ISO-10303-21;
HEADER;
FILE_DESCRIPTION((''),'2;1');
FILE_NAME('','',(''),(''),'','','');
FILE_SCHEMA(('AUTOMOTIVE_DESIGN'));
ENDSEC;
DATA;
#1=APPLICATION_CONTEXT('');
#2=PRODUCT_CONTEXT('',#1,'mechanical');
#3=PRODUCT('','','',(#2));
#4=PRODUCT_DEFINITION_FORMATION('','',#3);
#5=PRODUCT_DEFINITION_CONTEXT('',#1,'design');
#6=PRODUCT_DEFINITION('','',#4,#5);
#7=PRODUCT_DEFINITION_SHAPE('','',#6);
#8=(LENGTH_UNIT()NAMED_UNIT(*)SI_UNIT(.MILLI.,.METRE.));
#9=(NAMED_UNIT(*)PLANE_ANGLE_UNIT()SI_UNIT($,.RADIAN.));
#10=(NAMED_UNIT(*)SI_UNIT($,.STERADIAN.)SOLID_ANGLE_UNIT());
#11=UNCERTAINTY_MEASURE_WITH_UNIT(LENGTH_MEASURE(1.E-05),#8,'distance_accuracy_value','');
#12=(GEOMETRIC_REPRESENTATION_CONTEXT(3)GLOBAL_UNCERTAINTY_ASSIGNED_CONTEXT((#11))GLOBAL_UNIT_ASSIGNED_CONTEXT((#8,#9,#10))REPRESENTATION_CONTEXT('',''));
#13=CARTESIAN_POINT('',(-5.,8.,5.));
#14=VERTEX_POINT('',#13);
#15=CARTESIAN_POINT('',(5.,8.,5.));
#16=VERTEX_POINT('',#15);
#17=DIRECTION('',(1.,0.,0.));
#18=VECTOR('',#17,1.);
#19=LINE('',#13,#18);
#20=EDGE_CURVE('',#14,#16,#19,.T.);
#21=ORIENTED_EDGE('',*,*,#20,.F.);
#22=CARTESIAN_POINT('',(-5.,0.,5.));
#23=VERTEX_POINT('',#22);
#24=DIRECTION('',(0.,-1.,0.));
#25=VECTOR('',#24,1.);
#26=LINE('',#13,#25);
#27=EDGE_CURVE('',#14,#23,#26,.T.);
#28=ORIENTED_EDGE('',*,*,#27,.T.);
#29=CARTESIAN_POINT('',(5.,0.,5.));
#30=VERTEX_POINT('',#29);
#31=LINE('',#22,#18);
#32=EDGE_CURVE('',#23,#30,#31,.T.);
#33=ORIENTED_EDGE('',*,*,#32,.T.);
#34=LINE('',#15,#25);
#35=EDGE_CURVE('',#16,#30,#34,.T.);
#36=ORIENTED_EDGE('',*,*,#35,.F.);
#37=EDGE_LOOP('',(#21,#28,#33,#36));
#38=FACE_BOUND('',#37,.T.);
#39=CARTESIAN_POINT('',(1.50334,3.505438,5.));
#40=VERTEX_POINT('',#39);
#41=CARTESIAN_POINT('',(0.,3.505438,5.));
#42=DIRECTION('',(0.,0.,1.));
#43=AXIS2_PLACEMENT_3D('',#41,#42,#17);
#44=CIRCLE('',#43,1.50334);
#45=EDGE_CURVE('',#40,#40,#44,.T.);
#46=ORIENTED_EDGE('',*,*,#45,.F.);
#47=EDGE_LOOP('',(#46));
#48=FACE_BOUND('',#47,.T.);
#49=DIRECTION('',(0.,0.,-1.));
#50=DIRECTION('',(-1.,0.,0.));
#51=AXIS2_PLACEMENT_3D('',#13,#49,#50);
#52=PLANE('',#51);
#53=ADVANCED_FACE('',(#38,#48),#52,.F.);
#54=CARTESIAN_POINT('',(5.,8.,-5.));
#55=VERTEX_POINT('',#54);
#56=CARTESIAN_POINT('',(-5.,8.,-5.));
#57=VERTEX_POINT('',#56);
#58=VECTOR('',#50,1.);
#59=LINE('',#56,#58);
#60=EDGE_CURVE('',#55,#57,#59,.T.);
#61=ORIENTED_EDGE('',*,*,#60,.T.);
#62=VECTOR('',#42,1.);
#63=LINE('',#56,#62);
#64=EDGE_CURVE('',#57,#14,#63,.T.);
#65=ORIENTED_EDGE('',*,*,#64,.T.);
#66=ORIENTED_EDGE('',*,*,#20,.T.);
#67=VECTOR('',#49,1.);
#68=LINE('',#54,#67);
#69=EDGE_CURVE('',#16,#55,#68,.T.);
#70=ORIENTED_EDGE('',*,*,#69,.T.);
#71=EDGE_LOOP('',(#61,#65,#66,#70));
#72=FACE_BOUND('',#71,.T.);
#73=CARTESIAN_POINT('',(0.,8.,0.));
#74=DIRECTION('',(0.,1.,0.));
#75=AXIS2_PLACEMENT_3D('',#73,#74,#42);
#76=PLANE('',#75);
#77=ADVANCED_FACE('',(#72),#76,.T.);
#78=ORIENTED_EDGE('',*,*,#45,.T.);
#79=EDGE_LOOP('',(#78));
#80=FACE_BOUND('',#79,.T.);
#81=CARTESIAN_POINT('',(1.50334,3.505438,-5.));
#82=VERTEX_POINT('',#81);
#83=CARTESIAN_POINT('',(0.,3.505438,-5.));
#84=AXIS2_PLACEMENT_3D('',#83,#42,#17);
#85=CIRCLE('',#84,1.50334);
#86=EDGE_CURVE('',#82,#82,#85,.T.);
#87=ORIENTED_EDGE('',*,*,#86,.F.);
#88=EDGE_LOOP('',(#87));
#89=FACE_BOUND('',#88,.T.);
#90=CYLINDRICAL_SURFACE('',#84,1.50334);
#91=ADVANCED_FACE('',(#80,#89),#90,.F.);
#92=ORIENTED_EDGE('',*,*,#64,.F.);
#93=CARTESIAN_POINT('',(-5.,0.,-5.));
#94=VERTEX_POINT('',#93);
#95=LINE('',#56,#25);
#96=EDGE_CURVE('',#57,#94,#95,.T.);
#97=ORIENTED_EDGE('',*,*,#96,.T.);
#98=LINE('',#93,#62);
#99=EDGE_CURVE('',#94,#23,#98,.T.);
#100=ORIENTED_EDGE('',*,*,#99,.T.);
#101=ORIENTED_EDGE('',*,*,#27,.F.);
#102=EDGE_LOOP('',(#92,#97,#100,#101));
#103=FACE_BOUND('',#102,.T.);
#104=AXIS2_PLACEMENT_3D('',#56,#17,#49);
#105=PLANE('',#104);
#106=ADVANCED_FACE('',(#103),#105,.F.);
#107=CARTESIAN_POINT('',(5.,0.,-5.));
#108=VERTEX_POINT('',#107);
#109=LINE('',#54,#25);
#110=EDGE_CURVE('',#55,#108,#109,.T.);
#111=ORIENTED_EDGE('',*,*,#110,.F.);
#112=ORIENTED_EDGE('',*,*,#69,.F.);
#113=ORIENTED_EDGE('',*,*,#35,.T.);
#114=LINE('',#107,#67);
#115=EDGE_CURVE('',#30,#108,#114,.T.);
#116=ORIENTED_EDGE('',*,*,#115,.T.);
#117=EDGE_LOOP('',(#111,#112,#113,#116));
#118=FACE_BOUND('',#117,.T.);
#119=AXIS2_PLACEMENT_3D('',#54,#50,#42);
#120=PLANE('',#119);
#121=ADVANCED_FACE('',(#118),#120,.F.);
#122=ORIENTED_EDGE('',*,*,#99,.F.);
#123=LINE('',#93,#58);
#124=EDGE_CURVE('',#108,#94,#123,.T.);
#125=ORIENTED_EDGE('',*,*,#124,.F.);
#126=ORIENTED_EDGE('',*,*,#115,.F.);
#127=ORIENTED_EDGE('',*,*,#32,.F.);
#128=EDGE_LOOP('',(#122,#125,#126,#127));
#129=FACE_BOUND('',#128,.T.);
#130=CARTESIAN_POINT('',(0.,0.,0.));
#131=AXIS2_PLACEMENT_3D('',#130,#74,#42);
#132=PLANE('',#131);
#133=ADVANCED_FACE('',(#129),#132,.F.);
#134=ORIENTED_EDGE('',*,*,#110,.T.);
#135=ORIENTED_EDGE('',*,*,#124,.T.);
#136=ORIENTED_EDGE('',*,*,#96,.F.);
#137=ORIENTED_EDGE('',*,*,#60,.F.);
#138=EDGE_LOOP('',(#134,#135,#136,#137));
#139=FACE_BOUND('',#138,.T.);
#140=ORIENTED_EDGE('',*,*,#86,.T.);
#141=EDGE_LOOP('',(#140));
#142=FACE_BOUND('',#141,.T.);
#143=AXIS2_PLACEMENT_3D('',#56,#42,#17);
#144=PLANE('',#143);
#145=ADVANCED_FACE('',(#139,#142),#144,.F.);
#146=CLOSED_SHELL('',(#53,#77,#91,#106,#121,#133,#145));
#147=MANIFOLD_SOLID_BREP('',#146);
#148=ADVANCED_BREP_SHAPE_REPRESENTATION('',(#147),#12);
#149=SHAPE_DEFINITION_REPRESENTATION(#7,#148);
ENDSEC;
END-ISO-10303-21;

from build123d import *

# Parameters (mm, degrees)
SKETCH1_W           = 10
SKETCH1_H           = 10
BOSS_EXTRUDE1_DEPTH = 8
SKETCH2_R           = 1.503339738
CUT_EXTRUDE1_DEPTH  = 10


with BuildPart() as part:
    # Sketch1 → Boss-Extrude1 (new body)
    with BuildSketch(Plane(origin=(0, 0, 0), x_dir=(1, 0, 0), z_dir=(0, 1, 0))):
        Rectangle(SKETCH1_W, SKETCH1_H)
    extrude(amount=BOSS_EXTRUDE1_DEPTH)

    # Sketch2 → Cut-Extrude1 (cut)
    with BuildSketch(Plane.XY.offset(5)):
        with Locations((0, 3.505438306)):
            Circle(SKETCH2_R)
    extrude(amount=-CUT_EXTRUDE1_DEPTH, mode=Mode.SUBTRACT)


solid = part.part
